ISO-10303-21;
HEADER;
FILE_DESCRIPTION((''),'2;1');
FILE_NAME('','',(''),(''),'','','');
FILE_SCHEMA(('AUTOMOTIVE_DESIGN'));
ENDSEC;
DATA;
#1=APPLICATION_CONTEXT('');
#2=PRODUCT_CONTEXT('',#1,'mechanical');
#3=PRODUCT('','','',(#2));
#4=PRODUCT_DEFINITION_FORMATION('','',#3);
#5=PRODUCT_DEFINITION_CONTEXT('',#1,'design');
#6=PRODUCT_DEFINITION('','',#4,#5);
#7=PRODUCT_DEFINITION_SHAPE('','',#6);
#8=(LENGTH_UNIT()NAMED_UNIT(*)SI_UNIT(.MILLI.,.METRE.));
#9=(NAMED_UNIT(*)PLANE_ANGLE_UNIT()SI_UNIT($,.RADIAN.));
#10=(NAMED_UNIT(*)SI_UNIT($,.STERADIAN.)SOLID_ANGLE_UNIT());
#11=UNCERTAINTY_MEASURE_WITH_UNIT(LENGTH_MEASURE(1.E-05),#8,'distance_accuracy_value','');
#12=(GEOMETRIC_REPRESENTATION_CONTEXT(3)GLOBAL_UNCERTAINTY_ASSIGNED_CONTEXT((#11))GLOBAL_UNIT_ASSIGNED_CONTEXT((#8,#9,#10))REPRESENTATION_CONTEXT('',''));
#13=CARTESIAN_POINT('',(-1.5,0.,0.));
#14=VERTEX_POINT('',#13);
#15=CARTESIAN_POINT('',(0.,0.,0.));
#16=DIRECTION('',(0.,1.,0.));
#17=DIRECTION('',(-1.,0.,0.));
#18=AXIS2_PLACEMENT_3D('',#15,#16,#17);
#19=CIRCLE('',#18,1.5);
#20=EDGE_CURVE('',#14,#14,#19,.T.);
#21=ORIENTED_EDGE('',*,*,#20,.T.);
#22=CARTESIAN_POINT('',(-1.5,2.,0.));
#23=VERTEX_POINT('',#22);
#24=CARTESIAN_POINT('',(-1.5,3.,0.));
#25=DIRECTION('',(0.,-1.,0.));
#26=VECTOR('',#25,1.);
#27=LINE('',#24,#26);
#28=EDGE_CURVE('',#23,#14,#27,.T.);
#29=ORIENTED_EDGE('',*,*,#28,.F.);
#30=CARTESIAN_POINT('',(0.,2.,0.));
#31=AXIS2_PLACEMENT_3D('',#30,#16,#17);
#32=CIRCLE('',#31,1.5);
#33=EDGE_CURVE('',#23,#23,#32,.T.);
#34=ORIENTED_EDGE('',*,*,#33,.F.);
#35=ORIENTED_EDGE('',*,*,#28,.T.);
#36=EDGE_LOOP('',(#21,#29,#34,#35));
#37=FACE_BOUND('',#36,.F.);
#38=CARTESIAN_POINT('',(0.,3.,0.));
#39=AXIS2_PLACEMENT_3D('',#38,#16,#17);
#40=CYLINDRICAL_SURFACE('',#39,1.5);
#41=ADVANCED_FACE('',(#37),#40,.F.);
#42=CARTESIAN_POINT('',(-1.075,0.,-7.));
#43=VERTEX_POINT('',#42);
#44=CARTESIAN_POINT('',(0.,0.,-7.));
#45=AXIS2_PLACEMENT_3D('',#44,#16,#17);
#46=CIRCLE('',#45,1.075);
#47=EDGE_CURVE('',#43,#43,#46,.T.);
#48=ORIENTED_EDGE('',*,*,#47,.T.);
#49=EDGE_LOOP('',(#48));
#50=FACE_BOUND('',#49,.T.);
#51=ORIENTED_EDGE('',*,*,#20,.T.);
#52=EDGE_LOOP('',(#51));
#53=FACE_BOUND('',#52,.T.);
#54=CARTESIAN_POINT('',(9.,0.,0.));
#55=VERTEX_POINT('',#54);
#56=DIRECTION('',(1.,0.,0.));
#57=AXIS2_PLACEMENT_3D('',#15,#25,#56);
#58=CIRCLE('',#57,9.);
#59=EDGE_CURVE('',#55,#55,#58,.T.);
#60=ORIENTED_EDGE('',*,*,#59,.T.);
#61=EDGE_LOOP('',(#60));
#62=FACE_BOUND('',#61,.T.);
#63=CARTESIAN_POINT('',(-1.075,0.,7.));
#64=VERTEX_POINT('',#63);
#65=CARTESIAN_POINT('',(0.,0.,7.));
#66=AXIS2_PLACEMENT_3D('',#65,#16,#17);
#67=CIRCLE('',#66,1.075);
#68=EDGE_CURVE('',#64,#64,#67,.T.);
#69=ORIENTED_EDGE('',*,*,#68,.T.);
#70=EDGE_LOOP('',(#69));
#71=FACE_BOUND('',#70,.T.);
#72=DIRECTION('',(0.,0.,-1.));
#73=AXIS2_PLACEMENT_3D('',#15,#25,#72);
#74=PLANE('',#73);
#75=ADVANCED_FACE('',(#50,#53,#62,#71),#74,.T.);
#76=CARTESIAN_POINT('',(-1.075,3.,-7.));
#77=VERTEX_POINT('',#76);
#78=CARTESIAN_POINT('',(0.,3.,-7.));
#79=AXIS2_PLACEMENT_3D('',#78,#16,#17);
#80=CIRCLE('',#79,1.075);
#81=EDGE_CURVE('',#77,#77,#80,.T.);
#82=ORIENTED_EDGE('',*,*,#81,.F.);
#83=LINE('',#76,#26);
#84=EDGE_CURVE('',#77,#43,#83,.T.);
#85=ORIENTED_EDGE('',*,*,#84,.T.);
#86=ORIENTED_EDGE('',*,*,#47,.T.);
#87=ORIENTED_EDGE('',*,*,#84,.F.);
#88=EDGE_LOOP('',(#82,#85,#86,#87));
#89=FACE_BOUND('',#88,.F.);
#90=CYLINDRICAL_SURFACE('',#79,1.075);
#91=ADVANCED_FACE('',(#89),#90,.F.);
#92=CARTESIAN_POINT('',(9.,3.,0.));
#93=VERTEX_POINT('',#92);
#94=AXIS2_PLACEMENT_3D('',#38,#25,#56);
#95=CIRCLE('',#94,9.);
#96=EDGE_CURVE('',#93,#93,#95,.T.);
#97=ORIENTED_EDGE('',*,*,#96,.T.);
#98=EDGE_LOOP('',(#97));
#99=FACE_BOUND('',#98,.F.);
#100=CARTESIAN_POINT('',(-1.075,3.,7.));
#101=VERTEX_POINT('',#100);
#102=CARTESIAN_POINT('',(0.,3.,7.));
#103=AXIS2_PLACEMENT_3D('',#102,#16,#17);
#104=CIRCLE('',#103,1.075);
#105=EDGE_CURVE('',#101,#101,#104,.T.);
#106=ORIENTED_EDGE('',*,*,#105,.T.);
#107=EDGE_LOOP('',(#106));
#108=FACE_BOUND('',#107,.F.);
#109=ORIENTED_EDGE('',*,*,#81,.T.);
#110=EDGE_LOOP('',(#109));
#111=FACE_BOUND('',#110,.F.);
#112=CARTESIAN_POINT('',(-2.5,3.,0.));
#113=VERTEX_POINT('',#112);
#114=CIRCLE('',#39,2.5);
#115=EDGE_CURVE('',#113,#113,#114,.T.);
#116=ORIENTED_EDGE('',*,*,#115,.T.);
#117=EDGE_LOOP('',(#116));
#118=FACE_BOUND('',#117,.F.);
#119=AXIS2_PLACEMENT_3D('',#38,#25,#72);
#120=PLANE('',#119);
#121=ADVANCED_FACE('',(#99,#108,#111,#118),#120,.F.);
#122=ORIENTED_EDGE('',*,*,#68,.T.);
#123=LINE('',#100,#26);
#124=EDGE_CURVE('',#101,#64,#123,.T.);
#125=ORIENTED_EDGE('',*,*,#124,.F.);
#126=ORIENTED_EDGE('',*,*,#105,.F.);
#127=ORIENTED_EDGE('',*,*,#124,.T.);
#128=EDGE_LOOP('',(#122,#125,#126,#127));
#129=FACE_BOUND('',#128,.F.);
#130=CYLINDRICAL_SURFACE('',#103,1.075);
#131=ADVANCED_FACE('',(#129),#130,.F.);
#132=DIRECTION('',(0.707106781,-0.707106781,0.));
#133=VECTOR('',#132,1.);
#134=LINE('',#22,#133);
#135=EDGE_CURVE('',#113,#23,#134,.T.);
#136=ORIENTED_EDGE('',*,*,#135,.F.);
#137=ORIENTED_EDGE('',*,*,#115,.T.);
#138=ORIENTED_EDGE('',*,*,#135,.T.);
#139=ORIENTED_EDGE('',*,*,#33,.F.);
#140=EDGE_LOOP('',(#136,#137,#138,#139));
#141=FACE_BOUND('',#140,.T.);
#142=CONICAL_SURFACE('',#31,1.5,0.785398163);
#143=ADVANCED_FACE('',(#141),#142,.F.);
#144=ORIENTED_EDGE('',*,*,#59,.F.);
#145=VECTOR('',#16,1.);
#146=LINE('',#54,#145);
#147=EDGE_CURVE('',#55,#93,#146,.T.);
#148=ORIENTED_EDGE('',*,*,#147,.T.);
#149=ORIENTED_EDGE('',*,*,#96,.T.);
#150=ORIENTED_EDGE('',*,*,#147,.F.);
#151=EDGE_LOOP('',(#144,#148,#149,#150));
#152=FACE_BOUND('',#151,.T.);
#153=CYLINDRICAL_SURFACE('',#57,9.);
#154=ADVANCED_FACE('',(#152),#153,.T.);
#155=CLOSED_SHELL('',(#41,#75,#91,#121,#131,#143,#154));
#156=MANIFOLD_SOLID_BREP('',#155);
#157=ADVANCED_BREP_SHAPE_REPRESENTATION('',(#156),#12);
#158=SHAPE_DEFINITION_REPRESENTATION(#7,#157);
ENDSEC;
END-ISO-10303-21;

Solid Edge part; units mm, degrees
sketch "Sketch1" plane through (0, 0, 0) normal (0, -1, 0) x (1, 0, 0)
  circle A0 centre (0, 0) radius 9
  dimension "D1" = 18
extrude "Ajout_matière_1" add sketch "Sketch1" against normal blind 3
sketch "Sketch2" plane through (0, 3, 0) normal (0, 1, 0) x (-1, 0, 0)
  circle A0 centre (0, -7) radius 1.075
  circle A1 centre (0, 0) radius 1.5
  circle A2 centre (0, 7) radius 1.075
  dimension "D1" = 2.15
  dimension "D2" = 7
  dimension "D3" = 3
extrude "Enlèvement_matière_1" cut sketch "Sketch2" against normal blind 8.787
chamfer "Chamfer1" distance 1 angle 45 1 edges at (1.5, 3, 0)
properties part number "14" material "PMMA"
